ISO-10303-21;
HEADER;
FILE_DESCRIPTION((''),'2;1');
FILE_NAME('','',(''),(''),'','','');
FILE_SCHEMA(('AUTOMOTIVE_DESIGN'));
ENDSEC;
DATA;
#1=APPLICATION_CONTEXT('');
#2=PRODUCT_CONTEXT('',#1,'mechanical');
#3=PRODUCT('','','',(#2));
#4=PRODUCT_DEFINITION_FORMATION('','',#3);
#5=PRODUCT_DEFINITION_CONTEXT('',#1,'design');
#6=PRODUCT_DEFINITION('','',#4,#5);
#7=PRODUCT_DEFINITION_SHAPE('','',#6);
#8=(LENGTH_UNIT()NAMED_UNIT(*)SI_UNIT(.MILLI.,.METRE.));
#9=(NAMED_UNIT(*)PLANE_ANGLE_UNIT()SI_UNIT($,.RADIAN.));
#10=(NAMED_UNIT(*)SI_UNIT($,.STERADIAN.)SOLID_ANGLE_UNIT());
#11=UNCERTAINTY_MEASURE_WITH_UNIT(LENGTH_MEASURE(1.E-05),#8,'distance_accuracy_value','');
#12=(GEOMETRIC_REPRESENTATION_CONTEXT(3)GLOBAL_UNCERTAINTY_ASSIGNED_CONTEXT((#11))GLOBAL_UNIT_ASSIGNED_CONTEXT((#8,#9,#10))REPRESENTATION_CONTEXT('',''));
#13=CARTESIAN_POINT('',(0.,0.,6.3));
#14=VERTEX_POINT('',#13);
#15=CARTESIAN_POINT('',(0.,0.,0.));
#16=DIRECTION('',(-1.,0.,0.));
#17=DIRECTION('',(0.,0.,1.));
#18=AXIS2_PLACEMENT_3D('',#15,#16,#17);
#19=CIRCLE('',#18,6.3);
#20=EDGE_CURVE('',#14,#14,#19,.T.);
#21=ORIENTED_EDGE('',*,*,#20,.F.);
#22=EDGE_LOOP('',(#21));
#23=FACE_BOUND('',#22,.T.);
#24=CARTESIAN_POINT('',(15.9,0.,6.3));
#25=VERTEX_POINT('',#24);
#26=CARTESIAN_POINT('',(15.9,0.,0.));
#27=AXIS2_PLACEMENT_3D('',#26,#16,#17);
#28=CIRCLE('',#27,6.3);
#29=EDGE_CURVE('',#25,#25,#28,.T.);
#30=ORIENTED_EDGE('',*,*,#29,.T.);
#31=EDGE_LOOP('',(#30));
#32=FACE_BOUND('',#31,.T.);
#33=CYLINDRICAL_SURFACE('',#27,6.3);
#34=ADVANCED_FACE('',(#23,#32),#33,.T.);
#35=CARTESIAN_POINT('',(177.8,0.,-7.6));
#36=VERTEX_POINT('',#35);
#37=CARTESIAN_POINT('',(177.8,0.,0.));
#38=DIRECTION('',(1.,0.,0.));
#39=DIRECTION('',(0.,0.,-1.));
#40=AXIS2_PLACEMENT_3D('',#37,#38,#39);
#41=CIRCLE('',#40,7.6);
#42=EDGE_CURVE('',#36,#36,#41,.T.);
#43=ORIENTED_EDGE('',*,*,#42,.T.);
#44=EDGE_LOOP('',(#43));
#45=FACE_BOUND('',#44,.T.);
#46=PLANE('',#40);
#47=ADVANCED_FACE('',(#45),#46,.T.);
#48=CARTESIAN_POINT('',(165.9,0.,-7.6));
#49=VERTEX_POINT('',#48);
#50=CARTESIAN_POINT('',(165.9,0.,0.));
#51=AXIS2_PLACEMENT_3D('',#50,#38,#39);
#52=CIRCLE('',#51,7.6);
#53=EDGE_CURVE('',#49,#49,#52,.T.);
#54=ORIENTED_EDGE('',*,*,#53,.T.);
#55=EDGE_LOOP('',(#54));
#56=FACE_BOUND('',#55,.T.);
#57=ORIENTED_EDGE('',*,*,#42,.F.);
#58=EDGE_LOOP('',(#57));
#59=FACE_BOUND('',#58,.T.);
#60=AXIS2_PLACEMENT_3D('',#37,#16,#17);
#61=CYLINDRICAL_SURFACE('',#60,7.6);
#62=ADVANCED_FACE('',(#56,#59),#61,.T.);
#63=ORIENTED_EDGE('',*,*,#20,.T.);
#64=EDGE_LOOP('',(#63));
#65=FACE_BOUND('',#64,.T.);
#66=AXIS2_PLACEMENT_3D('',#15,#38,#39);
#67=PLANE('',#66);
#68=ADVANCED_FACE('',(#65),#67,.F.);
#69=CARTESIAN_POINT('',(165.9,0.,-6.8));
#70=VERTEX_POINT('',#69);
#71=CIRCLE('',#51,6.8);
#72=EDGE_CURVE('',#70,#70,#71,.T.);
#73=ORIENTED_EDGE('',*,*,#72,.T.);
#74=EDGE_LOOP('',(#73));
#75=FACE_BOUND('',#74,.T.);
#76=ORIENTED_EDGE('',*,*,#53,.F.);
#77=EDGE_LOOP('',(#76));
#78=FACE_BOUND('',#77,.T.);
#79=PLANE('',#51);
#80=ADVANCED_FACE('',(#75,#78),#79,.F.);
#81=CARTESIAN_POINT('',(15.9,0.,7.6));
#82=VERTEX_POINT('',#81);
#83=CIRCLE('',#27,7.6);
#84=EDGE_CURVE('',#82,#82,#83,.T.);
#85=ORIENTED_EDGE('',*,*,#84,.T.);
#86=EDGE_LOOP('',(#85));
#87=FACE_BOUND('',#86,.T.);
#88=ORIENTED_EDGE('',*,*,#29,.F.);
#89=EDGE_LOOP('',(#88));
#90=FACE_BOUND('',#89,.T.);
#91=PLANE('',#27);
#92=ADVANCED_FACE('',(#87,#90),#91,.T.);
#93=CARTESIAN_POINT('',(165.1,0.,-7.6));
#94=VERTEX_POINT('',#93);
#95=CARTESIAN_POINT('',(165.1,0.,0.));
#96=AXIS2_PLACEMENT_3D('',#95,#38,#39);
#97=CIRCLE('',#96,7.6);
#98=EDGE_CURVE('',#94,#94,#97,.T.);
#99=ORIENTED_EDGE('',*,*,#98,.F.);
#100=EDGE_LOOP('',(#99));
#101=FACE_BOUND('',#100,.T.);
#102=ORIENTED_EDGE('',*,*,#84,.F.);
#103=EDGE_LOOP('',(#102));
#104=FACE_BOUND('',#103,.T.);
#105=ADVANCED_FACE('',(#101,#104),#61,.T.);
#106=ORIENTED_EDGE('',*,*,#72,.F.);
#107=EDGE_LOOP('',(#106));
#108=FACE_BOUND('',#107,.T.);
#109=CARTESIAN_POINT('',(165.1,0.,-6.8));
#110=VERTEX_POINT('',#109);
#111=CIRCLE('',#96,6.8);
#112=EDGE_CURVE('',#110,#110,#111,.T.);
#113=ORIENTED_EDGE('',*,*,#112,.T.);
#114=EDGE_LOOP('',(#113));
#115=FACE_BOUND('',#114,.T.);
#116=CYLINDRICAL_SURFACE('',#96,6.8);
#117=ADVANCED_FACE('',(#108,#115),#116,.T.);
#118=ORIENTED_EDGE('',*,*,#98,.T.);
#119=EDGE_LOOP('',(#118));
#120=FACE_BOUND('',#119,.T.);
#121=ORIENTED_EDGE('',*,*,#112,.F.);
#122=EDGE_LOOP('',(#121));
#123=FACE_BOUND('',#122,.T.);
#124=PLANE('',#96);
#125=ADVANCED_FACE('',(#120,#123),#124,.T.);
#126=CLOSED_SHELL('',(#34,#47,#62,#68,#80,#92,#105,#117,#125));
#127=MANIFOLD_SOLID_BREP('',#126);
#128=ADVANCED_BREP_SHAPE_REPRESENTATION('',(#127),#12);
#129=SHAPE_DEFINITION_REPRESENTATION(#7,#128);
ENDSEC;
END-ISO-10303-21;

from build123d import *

# Parameters (mm, degrees)
SKETCH1_R          = 7.6
BASE_EXTRUDE_DEPTH = 177.8
CUT_EXTRUDE1_START = -0.8
SKETCH2_R          = 7.6
SKETCH2_R_2        = 6.8
CUT_EXTRUDE1_DEPTH = 0.8
SKETCH3_R          = 7.6
SKETCH3_R_2        = 6.3
CUT_EXTRUDE2_DEPTH = 15.9


with BuildPart() as part:
    # Sketch1 → Base-Extrude (new body)
    with BuildSketch(Plane(origin=(0, 0, 0), x_dir=(0, 0, -1), z_dir=(1, 0, 0))):
        Circle(SKETCH1_R)
    extrude(amount=BASE_EXTRUDE_DEPTH)

    # Sketch2 → Cut-Extrude1 (cut)
    with BuildSketch(Plane(origin=(165.9, 0, 0), x_dir=(0, 0, -1), z_dir=(1, 0, 0)).offset(CUT_EXTRUDE1_START)):
        Circle(SKETCH2_R)
        Circle(SKETCH2_R_2, mode=Mode.SUBTRACT)
    extrude(amount=CUT_EXTRUDE1_DEPTH, mode=Mode.SUBTRACT)

    # Sketch3 → Cut-Extrude2 (cut)
    with BuildSketch(Plane.ZY):
        Circle(SKETCH3_R)
        Circle(SKETCH3_R_2, mode=Mode.SUBTRACT)
    extrude(amount=-CUT_EXTRUDE2_DEPTH, mode=Mode.SUBTRACT)


solid = part.part
